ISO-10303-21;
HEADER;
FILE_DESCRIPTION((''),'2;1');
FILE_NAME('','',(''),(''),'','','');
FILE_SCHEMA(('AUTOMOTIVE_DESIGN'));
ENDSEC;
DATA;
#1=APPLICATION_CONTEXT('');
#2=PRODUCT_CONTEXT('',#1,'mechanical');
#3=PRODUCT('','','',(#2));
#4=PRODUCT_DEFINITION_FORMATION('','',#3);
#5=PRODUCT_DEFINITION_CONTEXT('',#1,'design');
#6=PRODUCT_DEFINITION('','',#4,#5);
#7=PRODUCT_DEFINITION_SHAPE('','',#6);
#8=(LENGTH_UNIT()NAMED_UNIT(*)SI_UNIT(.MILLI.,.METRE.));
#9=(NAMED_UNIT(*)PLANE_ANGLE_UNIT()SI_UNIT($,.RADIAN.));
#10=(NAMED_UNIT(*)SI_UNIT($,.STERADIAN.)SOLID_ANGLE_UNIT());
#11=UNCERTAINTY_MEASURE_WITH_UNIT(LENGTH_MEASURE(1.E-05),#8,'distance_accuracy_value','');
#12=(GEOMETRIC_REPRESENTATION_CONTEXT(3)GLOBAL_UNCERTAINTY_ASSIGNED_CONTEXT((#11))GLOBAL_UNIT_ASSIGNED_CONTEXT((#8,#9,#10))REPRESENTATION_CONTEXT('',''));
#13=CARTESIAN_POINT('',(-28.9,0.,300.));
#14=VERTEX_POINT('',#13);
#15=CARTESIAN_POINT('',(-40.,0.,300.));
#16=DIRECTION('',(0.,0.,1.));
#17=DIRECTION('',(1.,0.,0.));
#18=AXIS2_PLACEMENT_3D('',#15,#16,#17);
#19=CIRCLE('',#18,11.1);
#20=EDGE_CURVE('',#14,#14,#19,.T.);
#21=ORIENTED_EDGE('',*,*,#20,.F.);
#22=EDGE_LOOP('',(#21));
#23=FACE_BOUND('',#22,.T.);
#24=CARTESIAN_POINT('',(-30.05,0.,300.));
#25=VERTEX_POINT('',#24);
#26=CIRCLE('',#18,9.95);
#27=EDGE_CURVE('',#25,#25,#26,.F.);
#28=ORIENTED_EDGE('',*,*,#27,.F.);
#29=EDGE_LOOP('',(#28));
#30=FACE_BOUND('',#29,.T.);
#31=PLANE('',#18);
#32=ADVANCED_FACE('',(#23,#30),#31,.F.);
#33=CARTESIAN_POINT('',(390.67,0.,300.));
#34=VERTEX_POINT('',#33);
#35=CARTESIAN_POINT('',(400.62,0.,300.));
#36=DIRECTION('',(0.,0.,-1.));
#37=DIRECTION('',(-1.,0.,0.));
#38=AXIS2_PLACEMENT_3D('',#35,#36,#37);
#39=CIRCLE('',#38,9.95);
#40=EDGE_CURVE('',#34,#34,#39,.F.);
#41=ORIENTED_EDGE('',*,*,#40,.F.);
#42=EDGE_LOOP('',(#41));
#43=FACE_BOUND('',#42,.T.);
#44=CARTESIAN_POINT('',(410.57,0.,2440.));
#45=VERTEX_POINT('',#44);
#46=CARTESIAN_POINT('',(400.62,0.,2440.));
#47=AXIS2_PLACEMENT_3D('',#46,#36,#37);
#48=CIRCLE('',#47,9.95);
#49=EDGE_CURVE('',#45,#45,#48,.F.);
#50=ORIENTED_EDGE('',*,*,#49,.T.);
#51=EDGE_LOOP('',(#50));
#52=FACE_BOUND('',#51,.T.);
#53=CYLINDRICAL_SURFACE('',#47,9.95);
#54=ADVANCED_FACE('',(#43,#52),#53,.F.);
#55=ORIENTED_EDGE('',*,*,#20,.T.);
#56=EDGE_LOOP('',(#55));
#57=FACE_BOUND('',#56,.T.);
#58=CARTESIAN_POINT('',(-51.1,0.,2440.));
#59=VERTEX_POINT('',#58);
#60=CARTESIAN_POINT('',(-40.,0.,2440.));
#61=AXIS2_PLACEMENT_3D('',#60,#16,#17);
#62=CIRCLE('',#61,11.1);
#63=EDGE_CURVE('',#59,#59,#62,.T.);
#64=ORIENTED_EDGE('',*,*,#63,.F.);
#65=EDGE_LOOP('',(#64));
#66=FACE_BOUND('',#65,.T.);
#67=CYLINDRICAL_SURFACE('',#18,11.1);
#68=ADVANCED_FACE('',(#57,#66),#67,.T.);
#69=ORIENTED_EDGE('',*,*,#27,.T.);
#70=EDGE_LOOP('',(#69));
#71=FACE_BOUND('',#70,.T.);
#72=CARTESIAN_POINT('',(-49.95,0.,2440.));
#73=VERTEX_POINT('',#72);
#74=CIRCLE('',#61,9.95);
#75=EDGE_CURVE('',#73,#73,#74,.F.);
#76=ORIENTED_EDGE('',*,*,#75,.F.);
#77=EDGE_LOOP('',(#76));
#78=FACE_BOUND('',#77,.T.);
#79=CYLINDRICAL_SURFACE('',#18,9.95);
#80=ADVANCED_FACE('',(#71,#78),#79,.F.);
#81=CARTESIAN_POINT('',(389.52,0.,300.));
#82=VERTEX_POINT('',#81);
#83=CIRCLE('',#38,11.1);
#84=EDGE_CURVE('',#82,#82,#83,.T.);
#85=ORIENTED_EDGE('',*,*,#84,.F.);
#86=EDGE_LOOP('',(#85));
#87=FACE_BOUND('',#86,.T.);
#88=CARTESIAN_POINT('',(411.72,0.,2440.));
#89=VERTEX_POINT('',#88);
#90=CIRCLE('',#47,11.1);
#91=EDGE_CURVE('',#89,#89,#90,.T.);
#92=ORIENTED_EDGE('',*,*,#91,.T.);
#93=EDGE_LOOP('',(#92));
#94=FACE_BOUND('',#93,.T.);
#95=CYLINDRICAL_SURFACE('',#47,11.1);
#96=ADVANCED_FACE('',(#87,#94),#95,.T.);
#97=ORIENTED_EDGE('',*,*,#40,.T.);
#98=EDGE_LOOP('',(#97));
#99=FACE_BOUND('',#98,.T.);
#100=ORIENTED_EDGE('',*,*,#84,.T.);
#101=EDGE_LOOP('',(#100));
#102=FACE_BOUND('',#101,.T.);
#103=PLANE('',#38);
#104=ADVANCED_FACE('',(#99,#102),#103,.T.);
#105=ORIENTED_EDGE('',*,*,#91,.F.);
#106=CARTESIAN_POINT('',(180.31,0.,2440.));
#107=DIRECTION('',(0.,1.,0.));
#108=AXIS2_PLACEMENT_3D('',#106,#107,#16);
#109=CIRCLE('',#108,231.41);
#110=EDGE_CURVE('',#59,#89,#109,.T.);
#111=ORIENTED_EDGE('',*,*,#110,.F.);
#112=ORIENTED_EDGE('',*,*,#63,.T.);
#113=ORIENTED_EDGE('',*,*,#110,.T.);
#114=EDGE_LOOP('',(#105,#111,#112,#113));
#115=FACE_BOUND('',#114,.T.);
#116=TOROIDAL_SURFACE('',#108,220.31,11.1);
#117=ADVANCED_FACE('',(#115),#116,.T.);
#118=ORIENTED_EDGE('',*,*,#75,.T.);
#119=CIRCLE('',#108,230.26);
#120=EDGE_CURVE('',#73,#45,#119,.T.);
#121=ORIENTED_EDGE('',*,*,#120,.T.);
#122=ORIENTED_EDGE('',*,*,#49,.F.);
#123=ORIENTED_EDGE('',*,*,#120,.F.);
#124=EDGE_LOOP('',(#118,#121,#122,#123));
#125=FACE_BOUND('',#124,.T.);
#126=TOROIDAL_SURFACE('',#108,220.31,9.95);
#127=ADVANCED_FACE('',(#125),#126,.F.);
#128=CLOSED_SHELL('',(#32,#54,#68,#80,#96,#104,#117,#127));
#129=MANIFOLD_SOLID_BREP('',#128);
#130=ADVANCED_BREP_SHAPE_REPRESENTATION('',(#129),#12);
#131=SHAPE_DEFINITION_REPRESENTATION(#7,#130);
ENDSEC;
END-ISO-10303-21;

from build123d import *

# Parameters (mm, degrees)
SKETCH2_R   = 11.1
SKETCH2_R_2 = 9.95


with BuildPart() as part:
    # Sweep1: sweep along a path in Sketch1
    with BuildLine(Plane(origin=(0, 0, 0), x_dir=(1, 0, 0), z_dir=(0, 1, 0))) as sweep1_path:
        Line((400.62, -300), (400.62, -2440))
        ThreePointArc((400.62, -2440), (180.31, -2660.31), (-40, -2440))
        Line((-40, -2440), (-40, -300))
    # Sketch2 → Sweep1 (sweep)
    with BuildSketch(Plane(origin=(400.62, 0, 300), x_dir=(-1, 0, 0), z_dir=(0, 0, -1))):
        Circle(SKETCH2_R)
        Circle(SKETCH2_R_2, mode=Mode.SUBTRACT)
    sweep(path=sweep1_path.line)


solid = part.part
